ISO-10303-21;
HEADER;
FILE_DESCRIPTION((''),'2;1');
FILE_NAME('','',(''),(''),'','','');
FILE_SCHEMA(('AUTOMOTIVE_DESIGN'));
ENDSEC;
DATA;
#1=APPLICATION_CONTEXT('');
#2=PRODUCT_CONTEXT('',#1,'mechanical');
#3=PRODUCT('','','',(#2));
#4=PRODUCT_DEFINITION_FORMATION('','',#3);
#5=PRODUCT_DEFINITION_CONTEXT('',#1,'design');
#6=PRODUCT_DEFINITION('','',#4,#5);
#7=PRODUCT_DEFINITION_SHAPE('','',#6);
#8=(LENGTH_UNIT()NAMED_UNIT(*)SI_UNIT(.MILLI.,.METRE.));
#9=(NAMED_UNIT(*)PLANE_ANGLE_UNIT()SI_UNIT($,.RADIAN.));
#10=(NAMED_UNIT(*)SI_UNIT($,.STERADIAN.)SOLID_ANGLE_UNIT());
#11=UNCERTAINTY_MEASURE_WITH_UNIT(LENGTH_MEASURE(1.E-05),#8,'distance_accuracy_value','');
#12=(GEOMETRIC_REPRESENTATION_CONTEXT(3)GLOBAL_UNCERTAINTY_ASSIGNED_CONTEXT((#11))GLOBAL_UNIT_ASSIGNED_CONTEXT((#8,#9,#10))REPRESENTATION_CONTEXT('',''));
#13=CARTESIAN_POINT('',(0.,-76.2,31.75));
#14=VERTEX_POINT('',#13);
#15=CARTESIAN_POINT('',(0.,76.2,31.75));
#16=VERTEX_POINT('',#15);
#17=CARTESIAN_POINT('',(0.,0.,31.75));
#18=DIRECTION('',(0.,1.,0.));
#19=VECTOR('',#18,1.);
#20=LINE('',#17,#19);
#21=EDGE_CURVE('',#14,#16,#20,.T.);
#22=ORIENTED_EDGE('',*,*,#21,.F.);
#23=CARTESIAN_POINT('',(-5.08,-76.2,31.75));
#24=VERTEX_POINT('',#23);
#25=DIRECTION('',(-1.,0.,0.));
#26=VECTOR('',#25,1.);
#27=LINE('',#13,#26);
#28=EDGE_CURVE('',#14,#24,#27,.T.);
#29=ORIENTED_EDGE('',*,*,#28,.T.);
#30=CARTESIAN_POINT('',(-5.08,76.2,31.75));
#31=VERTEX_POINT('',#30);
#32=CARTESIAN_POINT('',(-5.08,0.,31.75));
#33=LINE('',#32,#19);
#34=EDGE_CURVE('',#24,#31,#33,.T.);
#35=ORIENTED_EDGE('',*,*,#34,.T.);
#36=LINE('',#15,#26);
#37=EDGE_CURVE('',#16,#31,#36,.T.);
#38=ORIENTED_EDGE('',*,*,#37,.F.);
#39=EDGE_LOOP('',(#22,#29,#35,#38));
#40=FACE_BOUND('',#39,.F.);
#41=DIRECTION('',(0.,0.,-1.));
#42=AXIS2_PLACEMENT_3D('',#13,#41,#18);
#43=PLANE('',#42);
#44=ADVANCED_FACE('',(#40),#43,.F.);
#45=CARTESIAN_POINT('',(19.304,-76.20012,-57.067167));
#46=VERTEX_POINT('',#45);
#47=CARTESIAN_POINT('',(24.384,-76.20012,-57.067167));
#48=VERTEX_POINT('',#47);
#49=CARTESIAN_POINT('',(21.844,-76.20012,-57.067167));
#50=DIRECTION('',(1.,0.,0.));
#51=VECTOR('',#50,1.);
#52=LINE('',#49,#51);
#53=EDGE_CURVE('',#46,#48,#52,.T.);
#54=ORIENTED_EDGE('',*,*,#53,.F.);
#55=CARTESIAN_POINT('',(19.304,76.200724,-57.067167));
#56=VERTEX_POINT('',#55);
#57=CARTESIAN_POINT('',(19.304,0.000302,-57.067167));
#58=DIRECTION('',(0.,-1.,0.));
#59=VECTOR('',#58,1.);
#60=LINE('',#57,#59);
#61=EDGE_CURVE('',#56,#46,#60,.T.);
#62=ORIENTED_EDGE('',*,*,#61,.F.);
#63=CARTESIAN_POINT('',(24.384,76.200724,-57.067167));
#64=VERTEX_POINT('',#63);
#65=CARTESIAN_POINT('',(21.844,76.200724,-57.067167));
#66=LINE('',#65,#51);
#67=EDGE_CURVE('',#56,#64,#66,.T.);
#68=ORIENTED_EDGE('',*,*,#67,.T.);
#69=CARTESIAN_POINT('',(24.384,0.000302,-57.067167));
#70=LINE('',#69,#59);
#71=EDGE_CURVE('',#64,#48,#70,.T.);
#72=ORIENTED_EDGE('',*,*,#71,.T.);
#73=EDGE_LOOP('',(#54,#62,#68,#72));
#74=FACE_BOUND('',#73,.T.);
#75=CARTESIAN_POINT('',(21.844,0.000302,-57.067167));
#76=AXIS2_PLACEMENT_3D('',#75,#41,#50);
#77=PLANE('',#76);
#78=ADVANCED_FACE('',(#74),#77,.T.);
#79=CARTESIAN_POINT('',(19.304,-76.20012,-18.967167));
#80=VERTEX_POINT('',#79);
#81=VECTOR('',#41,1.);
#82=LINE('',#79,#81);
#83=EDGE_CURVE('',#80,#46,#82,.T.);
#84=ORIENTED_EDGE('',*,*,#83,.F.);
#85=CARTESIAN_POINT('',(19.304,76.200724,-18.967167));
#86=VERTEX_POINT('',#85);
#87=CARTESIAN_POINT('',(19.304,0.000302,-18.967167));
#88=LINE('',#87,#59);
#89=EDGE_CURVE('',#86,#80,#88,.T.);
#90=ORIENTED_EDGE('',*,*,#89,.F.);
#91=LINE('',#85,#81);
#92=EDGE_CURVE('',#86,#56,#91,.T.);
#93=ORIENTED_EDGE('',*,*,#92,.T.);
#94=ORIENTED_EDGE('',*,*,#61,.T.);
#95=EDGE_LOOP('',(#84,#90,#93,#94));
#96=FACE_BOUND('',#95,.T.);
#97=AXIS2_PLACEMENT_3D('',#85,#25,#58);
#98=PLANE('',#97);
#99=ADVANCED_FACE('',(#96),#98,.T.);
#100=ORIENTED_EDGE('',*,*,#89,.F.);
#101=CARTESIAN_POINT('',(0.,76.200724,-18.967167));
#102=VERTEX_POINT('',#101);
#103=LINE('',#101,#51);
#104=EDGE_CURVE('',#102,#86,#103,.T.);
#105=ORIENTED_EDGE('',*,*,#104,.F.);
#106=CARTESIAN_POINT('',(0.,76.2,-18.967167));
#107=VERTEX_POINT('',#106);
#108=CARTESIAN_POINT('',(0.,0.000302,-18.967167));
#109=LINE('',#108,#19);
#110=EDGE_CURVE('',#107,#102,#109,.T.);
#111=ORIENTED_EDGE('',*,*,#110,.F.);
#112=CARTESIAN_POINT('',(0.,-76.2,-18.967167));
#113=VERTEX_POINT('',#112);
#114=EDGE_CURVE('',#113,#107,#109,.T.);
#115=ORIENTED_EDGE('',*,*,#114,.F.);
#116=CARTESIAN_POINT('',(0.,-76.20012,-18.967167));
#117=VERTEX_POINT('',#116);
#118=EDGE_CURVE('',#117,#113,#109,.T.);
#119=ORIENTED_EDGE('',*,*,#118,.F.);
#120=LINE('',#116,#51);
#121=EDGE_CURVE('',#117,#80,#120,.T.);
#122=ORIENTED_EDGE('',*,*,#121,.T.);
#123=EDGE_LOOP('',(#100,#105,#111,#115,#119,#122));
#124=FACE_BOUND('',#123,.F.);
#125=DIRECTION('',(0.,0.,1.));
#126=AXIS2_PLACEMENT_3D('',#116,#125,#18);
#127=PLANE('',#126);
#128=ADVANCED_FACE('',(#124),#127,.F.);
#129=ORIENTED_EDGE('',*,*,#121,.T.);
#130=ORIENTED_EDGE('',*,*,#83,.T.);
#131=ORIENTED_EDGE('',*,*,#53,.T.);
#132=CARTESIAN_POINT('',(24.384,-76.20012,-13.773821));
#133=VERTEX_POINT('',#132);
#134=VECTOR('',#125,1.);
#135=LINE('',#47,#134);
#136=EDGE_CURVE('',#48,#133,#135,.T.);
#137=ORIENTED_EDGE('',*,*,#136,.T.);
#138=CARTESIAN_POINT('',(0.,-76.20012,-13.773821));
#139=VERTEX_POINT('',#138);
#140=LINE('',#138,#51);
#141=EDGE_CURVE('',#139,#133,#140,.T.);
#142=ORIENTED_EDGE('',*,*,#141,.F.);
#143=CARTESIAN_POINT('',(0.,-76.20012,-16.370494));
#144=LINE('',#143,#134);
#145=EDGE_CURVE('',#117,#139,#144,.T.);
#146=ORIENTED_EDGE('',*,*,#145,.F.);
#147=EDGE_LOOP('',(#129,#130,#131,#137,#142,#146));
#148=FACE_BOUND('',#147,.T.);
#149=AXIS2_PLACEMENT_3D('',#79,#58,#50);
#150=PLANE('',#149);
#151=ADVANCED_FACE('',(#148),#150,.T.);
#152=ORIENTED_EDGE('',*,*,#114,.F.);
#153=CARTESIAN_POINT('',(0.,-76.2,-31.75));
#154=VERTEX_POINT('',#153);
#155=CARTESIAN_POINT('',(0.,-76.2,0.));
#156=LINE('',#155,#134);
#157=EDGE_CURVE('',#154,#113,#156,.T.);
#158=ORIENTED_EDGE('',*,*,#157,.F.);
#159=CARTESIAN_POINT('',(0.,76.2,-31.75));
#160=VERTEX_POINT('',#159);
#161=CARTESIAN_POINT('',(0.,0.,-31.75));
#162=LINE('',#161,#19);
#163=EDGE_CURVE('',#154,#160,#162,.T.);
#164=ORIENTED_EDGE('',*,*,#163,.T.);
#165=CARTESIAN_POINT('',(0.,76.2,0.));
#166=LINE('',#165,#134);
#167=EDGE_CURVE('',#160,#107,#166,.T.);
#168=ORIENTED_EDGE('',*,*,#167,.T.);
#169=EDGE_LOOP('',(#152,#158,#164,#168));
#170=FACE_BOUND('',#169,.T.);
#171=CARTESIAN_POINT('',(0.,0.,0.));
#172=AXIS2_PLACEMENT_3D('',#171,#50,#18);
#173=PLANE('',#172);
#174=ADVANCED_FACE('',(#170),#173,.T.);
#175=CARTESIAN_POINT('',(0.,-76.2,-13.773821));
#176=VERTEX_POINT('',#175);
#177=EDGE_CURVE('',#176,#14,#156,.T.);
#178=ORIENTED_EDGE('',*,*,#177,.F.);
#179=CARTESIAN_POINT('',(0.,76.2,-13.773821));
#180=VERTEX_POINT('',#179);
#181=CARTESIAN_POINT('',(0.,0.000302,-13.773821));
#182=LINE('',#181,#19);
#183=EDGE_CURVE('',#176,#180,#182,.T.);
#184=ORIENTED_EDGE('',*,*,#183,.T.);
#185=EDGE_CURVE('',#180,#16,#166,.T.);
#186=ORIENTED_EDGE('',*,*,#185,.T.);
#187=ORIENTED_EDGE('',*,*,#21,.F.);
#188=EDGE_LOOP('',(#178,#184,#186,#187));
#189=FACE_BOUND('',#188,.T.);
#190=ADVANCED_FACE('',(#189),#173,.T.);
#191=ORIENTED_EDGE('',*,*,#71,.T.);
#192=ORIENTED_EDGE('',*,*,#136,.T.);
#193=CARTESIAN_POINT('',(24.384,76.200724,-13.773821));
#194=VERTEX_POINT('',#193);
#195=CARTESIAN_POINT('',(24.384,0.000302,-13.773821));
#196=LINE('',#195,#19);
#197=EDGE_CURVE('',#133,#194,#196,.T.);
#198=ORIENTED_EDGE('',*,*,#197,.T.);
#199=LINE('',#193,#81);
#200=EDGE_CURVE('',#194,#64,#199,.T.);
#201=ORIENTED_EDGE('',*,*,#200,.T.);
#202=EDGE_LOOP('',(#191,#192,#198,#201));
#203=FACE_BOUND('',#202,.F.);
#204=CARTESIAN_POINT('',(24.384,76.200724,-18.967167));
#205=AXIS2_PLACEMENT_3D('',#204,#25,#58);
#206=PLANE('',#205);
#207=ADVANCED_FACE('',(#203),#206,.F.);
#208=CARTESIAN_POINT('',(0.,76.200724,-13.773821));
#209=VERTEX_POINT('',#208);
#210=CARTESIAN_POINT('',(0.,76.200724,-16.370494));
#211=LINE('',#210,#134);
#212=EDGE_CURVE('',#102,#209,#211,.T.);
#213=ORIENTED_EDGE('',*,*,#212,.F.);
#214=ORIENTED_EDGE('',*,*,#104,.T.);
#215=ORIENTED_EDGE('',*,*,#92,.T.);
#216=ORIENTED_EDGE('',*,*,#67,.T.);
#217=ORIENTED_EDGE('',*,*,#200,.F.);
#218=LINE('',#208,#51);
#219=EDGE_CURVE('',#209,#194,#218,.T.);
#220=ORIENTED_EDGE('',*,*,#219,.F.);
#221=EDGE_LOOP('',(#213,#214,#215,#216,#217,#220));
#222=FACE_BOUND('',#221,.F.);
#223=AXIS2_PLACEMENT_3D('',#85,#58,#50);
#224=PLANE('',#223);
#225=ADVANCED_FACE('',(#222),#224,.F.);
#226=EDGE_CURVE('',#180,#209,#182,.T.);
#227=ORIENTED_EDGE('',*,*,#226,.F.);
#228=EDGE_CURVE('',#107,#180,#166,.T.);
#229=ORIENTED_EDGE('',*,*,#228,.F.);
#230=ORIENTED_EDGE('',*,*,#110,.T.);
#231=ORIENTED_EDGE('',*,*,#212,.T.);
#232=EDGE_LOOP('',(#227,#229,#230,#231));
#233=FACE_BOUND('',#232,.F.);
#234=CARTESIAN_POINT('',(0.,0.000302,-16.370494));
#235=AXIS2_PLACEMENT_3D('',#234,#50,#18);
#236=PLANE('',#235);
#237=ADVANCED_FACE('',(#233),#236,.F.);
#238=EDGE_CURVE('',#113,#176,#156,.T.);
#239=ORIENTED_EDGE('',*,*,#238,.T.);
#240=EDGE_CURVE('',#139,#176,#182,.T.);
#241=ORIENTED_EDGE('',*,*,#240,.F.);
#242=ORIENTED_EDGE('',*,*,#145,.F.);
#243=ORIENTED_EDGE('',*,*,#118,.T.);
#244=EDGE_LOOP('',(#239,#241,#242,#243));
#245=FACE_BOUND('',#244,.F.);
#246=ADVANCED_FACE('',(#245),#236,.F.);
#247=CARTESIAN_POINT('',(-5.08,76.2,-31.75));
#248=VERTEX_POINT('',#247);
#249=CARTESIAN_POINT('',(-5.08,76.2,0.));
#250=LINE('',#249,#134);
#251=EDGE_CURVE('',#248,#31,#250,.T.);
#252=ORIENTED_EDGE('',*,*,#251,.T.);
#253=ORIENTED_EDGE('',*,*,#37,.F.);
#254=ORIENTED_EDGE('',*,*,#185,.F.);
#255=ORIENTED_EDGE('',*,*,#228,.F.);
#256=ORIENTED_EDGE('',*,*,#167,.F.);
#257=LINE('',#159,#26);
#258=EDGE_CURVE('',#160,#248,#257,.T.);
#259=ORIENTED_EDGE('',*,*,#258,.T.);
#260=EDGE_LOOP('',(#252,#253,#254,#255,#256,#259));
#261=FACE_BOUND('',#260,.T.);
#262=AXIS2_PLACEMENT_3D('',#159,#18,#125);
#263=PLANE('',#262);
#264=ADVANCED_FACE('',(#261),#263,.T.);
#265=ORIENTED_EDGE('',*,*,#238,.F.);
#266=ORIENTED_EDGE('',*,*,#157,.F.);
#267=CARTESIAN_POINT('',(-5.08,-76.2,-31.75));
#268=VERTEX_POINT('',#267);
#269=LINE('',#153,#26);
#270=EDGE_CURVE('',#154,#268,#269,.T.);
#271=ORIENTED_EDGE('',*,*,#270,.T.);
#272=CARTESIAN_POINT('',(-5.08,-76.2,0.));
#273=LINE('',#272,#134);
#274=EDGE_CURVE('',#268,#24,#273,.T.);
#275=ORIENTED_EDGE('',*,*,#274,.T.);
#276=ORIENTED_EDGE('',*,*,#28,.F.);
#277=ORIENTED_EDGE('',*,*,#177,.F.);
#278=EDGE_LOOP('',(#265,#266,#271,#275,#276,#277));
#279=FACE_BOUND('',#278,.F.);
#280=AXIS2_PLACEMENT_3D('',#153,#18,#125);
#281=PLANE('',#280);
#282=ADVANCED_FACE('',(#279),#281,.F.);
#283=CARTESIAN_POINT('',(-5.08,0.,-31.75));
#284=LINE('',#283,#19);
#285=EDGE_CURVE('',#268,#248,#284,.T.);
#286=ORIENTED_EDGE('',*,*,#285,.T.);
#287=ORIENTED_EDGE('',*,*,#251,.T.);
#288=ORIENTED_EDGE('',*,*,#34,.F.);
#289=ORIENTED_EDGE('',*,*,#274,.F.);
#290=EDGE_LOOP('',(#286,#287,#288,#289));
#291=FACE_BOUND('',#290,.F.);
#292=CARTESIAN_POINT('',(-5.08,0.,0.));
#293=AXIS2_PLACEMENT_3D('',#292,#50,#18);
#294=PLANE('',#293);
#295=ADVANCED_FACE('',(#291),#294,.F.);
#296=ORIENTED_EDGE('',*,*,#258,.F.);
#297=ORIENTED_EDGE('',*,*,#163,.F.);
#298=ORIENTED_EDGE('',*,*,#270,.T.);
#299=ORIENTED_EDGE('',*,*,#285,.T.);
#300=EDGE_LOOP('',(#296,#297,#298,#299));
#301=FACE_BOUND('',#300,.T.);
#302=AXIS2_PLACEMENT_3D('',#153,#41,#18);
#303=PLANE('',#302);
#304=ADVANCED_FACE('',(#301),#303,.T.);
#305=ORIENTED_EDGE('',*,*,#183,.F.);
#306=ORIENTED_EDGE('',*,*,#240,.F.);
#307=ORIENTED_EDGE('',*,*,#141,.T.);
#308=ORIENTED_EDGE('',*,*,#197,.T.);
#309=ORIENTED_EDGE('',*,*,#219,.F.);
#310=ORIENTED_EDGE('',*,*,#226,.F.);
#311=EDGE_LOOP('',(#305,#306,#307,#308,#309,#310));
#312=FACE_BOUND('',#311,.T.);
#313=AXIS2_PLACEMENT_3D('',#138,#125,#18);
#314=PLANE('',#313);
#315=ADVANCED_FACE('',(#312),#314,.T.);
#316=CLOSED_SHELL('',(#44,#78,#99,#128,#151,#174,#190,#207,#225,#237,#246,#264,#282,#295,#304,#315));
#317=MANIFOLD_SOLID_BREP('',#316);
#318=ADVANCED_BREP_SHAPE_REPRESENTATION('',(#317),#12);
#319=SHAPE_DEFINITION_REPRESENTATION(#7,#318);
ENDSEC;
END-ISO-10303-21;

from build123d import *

# Parameters (mm, degrees)
F0_W     = 152.4
F0_H     = 63.5
F1_DEPTH = 5.08
F3_W     = 152.400844
F3_H     = 5.193346
F4_DEPTH = 24.384
F5_W     = 5.08
F5_H     = 152.400844
F6_DEPTH = 38.1


with BuildPart() as f1:
    # F0 (on Right) → F1 (new body)
    with BuildSketch(Plane.YZ):
        Rectangle(F0_W, F0_H)
    extrude(amount=-F1_DEPTH)

    # F3 (on face) → F4 (join)
    with BuildSketch(Plane.YZ):
        with Locations((0.000302, -16.370494)):
            Rectangle(F3_W, F3_H)
    extrude(amount=F4_DEPTH)

    # F5 (on face) → F6 (join)
    with BuildSketch(Plane(origin=(0, 0, -18.967167), x_dir=(1, 0, 0), z_dir=(0, 0, -1))):
        with Locations((21.844, -0.000302)):
            Rectangle(F5_W, F5_H)
    extrude(amount=F6_DEPTH)


solid = f1.part
